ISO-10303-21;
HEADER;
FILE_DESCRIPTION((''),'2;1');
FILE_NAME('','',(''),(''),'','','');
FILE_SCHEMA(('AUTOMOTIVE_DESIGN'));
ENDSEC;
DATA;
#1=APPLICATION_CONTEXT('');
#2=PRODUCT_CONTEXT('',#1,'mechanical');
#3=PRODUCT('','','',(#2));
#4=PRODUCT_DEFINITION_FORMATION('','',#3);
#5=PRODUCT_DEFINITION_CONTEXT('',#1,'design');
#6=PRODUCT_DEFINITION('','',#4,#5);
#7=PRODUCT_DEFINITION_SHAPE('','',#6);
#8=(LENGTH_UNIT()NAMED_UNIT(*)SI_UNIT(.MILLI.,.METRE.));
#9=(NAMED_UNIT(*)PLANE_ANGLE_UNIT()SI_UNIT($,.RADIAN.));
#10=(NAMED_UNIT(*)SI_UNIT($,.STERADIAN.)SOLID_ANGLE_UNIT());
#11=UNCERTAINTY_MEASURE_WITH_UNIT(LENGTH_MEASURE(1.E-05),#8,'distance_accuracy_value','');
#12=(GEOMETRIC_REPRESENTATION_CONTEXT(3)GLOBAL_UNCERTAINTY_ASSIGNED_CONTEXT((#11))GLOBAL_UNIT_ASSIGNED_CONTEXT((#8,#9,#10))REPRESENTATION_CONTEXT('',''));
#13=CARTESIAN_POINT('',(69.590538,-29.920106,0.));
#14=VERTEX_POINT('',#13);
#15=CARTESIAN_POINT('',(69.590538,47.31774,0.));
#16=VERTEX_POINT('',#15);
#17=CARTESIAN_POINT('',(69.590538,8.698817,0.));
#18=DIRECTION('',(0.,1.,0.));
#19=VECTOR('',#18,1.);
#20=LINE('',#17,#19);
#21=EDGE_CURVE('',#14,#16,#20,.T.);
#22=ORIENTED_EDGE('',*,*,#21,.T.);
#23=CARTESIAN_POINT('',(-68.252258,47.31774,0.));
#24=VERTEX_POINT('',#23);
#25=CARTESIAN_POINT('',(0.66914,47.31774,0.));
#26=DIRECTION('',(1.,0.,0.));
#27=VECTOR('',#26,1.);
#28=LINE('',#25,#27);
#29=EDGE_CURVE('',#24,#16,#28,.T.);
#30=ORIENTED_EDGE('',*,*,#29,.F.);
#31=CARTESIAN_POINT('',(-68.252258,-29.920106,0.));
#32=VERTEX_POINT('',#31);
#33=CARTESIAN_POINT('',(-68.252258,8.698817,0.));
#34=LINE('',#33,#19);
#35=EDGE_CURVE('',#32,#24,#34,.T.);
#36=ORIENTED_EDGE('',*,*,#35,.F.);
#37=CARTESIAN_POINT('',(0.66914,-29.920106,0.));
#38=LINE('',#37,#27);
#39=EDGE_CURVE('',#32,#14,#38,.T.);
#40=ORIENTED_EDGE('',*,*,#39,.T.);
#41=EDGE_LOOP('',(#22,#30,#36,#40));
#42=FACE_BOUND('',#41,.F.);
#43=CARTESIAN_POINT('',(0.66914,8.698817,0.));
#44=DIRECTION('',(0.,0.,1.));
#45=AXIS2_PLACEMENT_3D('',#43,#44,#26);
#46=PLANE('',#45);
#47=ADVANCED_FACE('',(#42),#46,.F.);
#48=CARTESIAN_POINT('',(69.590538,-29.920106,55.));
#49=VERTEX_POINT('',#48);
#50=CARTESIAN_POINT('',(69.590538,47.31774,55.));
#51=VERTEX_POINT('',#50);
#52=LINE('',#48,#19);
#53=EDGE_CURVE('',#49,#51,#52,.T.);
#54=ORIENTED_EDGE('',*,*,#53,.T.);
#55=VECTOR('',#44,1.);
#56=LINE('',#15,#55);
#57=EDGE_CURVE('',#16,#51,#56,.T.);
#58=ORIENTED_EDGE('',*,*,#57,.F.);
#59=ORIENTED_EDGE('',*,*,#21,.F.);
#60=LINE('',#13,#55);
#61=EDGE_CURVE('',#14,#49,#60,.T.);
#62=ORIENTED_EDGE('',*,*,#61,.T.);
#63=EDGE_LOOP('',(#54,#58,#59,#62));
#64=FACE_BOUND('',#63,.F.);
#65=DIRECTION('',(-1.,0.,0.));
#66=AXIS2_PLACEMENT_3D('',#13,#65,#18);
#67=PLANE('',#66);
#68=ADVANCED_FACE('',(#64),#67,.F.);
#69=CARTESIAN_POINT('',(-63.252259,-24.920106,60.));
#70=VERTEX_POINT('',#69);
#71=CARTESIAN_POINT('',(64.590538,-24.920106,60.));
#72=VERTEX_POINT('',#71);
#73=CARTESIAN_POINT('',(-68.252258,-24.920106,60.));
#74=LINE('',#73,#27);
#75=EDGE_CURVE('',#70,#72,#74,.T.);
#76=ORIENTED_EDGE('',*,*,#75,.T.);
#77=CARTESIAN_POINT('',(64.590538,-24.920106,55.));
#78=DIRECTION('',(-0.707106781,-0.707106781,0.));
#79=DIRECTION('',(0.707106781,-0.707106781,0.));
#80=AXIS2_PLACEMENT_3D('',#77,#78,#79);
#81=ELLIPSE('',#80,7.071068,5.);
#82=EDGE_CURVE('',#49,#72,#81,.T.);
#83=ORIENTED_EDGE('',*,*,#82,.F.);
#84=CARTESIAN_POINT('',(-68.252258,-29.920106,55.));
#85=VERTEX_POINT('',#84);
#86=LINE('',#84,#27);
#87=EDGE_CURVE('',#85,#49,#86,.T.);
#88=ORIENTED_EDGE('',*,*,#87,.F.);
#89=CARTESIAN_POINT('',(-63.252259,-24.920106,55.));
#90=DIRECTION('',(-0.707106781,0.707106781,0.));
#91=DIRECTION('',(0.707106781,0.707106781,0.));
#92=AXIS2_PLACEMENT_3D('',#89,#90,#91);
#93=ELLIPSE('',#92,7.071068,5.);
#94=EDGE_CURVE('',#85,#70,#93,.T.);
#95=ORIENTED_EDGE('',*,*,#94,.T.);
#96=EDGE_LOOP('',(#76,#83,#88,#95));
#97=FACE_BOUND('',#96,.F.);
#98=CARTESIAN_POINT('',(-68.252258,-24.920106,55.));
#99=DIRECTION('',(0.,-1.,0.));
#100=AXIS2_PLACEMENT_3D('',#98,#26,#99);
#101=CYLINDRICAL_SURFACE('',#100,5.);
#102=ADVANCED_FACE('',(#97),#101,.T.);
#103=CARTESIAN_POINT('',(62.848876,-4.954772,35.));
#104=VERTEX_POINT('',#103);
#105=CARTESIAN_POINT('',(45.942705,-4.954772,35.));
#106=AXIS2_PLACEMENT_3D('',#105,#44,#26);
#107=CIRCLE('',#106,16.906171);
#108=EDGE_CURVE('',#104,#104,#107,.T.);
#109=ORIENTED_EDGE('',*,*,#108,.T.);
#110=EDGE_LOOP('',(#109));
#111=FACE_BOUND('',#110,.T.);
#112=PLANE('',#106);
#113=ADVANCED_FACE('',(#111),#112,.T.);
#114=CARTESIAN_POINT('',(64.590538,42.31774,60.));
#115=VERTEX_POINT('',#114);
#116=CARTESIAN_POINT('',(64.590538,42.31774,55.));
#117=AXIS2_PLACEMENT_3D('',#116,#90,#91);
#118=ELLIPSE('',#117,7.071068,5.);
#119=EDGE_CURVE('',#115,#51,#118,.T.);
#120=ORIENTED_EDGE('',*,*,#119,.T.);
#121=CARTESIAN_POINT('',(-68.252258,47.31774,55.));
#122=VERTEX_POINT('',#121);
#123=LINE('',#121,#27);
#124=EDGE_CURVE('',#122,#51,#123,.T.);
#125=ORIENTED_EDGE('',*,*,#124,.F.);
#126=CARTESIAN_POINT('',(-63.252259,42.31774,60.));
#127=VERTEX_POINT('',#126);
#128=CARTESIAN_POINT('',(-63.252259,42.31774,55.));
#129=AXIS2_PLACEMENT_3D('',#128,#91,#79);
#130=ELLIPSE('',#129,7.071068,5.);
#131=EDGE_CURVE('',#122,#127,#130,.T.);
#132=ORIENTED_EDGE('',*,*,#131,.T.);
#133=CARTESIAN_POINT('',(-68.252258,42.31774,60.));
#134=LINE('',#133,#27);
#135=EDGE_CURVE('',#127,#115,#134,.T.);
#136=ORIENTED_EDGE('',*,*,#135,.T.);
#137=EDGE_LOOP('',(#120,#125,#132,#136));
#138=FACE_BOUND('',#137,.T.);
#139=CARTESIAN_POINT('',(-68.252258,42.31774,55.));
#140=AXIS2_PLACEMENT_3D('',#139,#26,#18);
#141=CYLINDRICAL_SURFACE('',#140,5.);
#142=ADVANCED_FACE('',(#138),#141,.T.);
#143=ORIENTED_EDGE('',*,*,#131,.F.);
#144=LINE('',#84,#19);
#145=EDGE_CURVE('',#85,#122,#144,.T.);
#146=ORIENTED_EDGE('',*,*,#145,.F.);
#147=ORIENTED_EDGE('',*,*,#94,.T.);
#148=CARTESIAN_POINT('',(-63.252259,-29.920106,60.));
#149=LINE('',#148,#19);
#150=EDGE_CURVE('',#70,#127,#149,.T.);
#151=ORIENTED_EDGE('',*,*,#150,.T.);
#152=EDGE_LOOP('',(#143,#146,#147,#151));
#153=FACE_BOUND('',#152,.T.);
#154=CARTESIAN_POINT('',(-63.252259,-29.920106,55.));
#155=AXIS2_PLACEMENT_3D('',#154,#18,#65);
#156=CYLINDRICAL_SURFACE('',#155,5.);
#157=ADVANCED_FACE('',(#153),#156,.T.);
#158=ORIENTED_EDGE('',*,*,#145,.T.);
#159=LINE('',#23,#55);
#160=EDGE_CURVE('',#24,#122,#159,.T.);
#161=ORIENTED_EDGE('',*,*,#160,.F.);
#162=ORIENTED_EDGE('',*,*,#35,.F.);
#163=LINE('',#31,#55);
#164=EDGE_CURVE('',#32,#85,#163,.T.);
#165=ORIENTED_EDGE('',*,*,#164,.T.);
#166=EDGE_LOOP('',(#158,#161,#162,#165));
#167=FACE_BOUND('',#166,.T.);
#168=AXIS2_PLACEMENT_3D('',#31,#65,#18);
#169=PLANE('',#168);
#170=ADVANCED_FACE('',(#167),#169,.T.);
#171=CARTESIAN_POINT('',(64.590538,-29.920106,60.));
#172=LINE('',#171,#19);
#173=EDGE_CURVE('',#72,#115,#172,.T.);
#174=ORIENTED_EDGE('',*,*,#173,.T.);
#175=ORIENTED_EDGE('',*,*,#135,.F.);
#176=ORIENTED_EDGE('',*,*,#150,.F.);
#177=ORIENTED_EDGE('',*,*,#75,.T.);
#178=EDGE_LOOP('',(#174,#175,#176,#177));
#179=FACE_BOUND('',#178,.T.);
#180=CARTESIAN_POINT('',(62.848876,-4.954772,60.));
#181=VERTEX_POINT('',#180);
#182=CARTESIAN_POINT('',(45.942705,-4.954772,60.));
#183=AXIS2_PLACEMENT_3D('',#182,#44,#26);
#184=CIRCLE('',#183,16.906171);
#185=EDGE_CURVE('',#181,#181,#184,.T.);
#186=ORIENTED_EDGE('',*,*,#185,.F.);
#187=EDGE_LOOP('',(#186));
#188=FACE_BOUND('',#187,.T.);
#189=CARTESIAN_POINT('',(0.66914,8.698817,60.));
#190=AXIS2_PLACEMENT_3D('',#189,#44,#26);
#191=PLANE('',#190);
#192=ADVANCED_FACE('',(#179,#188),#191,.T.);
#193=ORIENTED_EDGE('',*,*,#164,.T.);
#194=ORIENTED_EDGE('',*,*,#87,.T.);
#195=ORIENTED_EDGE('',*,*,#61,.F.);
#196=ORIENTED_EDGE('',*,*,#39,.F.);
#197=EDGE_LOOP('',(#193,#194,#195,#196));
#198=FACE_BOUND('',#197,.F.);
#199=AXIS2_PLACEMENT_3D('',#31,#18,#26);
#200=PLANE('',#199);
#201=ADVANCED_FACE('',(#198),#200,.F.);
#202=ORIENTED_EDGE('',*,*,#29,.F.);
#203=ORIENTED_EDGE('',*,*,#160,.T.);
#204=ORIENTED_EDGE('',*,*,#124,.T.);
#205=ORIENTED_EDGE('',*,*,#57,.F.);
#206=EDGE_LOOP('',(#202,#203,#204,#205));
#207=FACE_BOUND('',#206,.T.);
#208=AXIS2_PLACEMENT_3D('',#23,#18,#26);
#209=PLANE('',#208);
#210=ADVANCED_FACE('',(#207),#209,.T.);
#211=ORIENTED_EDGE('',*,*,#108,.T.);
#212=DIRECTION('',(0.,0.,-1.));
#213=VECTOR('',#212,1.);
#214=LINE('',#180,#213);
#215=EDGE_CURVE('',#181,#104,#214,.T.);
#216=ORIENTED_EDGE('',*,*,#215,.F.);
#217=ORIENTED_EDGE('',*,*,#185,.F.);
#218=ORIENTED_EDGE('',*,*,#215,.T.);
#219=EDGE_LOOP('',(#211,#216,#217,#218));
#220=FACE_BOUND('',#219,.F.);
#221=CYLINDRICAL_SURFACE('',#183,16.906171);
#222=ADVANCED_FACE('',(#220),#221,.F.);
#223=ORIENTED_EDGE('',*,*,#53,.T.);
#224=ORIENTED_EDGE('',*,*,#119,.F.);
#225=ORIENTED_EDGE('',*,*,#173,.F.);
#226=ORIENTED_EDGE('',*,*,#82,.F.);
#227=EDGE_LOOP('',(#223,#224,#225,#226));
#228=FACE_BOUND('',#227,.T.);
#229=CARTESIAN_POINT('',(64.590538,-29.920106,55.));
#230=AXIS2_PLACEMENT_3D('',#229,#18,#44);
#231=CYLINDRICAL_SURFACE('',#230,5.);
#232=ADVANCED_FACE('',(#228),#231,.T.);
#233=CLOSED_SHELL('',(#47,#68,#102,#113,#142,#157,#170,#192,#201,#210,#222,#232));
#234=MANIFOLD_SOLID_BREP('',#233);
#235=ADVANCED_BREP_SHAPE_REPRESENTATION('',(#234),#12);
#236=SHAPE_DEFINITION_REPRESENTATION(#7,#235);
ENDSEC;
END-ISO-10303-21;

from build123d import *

# Parameters (mm, degrees)
F0_W     = 137.842797
F0_H     = 77.237847
F1_DEPTH = 60
F2_R     = 16.906171
F3_DEPTH = 25
F4_R     = 5


with BuildPart() as f1:
    # F0 (on Top) → F1 (new body)
    with BuildSketch(Plane.XY):
        with Locations((0.66914, 8.698817)):
            Rectangle(F0_W, F0_H)
    extrude(amount=F1_DEPTH)

    # F2 (on face) → F3 (cut)
    with BuildSketch(Plane.XY.offset(60)):
        with Locations((45.942705, -4.954772)):
            Circle(F2_R)
    extrude(amount=-F3_DEPTH, mode=Mode.SUBTRACT)

    # F4
    f4_edges = [f1.edges().sort_by_distance(p)[0] for p in [
        (0.66914, -29.920107, 60),
        (69.590539, 8.698816, 60),
        (0.66914, 47.31774, 60),
        (-68.252258, 8.698816, 60),
    ]]
    fillet(f4_edges, radius=F4_R)


solid = f1.part
